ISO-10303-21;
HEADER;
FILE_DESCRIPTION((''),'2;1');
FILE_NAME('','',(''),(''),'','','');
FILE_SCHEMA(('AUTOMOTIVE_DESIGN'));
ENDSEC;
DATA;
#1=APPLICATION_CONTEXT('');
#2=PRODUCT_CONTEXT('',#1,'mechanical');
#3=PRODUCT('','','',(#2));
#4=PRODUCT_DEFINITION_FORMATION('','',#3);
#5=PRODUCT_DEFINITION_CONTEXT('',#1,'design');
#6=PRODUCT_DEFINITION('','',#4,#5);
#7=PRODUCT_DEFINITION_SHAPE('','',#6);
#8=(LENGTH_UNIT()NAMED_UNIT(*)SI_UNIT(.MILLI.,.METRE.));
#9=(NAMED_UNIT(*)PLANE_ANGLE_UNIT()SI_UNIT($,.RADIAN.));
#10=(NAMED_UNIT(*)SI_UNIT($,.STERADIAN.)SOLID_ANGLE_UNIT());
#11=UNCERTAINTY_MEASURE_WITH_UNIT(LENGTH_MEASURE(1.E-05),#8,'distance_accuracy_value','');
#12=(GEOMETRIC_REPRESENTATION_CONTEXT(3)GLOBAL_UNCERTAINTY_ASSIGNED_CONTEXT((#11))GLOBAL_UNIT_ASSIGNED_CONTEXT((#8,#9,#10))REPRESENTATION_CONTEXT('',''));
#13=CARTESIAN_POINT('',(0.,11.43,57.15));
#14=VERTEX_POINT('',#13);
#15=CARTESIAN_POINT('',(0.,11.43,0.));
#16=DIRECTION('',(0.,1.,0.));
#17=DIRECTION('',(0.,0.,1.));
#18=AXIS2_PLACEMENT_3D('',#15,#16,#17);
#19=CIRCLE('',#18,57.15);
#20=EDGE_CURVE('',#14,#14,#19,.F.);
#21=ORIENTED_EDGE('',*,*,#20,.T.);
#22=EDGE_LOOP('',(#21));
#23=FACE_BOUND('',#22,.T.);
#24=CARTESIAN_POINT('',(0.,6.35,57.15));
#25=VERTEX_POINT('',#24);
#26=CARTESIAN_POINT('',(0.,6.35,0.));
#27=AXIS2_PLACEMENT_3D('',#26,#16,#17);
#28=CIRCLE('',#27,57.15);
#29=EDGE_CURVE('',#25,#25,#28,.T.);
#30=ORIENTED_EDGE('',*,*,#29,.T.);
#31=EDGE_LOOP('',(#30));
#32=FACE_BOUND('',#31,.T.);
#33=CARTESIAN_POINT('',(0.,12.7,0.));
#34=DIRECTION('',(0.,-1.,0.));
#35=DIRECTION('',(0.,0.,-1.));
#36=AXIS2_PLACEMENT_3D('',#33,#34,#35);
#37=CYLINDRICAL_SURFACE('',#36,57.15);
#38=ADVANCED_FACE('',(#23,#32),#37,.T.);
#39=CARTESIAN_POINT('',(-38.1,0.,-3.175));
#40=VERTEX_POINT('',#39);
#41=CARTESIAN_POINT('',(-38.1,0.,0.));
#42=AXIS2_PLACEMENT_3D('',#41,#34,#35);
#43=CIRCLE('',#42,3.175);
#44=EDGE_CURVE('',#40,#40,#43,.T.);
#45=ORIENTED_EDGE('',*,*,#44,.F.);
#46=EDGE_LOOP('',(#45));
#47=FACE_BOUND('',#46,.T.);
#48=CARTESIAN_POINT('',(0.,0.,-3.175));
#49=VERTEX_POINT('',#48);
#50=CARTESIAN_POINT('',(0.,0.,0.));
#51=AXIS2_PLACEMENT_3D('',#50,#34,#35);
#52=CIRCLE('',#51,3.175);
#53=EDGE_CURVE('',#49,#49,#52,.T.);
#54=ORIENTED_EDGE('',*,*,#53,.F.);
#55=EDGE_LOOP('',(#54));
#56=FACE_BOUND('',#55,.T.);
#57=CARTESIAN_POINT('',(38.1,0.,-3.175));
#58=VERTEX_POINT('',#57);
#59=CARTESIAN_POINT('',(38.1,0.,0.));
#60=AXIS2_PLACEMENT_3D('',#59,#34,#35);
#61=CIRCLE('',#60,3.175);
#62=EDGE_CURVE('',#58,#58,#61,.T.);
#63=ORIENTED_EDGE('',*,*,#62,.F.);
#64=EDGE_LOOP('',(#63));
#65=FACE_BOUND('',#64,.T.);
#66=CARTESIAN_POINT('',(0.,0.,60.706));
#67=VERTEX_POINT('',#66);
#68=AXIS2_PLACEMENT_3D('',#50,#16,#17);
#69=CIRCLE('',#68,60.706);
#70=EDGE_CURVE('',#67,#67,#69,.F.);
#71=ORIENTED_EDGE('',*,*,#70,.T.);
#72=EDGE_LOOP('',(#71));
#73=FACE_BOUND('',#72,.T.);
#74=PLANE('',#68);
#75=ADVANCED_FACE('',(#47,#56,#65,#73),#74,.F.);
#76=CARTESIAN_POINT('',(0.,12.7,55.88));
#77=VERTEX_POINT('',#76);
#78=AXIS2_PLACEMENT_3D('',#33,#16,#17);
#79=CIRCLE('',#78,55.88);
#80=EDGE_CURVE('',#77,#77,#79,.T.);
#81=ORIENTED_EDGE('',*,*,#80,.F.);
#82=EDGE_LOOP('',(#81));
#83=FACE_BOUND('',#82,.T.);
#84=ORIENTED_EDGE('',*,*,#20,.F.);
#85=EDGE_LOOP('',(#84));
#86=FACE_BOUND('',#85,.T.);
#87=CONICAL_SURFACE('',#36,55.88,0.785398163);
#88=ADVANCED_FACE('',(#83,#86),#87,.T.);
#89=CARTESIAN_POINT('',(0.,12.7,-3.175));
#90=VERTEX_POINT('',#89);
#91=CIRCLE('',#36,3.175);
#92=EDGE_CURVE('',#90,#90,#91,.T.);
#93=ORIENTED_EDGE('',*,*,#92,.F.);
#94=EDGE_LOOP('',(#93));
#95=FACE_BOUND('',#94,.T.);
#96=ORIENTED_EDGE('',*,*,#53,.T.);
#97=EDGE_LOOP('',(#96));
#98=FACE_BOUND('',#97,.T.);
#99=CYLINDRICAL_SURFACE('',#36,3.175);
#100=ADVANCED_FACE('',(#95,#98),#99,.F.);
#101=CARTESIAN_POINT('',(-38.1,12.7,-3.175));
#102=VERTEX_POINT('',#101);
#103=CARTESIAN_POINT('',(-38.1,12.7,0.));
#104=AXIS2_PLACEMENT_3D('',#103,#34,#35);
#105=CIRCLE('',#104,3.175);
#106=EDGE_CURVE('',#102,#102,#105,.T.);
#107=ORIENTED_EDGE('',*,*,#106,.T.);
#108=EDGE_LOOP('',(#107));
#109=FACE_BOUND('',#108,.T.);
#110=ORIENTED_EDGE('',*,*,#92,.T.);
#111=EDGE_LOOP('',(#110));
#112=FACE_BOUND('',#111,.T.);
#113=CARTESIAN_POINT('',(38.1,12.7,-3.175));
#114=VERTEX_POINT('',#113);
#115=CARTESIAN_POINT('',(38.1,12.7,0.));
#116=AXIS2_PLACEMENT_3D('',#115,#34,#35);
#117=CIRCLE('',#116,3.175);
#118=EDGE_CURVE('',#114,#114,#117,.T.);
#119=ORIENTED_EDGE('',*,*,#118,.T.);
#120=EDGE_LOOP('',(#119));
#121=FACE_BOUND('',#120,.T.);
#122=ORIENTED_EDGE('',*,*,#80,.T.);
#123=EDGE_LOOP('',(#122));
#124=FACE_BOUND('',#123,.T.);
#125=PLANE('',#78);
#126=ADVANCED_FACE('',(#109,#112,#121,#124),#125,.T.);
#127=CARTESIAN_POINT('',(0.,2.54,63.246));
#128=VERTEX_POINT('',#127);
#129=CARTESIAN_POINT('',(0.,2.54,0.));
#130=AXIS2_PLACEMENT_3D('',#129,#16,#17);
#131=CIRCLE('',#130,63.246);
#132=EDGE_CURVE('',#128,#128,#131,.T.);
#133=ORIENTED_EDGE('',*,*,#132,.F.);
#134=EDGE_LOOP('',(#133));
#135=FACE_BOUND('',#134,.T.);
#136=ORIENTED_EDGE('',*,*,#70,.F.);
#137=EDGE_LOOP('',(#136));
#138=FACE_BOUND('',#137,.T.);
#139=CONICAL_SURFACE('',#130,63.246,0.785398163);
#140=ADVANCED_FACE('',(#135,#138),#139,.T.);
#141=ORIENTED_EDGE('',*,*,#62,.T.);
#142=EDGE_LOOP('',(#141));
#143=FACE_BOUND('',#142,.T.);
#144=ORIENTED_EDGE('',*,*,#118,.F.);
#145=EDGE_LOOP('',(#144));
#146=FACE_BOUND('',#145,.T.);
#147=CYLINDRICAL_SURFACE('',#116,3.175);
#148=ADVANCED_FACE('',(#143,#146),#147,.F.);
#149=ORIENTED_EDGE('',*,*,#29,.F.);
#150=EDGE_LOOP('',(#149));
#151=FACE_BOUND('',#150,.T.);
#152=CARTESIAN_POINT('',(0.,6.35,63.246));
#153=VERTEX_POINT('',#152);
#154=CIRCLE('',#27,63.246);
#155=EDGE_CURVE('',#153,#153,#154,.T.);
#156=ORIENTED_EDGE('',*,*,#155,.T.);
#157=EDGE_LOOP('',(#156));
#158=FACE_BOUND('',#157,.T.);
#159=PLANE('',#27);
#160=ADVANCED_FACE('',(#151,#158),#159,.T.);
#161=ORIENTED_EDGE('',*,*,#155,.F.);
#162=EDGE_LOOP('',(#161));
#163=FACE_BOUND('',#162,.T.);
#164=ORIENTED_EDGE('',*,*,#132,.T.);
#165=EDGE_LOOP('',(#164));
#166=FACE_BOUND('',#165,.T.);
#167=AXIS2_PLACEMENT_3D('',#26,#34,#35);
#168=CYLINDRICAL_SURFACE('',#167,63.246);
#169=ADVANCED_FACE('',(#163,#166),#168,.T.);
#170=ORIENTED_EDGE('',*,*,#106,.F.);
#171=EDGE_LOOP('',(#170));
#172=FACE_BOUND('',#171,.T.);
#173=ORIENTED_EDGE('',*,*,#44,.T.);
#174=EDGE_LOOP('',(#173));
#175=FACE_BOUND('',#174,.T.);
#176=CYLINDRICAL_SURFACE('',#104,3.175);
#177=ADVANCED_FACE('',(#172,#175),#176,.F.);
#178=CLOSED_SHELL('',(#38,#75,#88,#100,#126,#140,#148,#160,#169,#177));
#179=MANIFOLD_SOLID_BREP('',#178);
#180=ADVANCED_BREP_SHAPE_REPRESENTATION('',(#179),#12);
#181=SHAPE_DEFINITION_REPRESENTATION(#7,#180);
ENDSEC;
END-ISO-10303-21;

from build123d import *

# Parameters (mm, degrees)
SKETCH1_R           = 63.246
BOSS_EXTRUDE1_DEPTH = 6.35
SKETCH2_R           = 57.15
BOSS_EXTRUDE2_DEPTH = 6.35
CHAMFER1_SIZE       = 1.27
SKETCH4_R           = 3.175
CUT_EXTRUDE1_DEPTH  = 13.7
CHAMFER2_SIZE       = 2.54


with BuildPart() as part:
    # Sketch1 → Boss-Extrude1 (new body)
    with BuildSketch(Plane(origin=(0, 0, 0), x_dir=(1, 0, 0), z_dir=(0, 1, 0))):
        Circle(SKETCH1_R)
    extrude(amount=BOSS_EXTRUDE1_DEPTH)

    # Sketch2 → Boss-Extrude2 (add)
    with BuildSketch(Plane(origin=(0, 6.35, 0), x_dir=(1, 0, 0), z_dir=(0, 1, 0))):
        Circle(SKETCH2_R)
    extrude(amount=BOSS_EXTRUDE2_DEPTH)

    # Chamfer1
    chamfer1_edges = [part.edges().sort_by_distance(p)[0] for p in [
        (-57.15, 12.7, 0),
    ]]
    chamfer(chamfer1_edges, length=CHAMFER1_SIZE)

    # Sketch4 → Cut-Extrude1 (cut, through all)
    with BuildSketch(Plane.XZ):
        with Locations((-38.1, 0)):
            Circle(SKETCH4_R)
        Circle(SKETCH4_R)
        with Locations((38.1, 0)):
            Circle(SKETCH4_R)
    extrude(amount=-CUT_EXTRUDE1_DEPTH, mode=Mode.SUBTRACT)

    # Chamfer2
    chamfer2_edges = [part.edges().sort_by_distance(p)[0] for p in [
        (-63.246, 0, 0),
    ]]
    chamfer(chamfer2_edges, length=CHAMFER2_SIZE)


solid = part.part
